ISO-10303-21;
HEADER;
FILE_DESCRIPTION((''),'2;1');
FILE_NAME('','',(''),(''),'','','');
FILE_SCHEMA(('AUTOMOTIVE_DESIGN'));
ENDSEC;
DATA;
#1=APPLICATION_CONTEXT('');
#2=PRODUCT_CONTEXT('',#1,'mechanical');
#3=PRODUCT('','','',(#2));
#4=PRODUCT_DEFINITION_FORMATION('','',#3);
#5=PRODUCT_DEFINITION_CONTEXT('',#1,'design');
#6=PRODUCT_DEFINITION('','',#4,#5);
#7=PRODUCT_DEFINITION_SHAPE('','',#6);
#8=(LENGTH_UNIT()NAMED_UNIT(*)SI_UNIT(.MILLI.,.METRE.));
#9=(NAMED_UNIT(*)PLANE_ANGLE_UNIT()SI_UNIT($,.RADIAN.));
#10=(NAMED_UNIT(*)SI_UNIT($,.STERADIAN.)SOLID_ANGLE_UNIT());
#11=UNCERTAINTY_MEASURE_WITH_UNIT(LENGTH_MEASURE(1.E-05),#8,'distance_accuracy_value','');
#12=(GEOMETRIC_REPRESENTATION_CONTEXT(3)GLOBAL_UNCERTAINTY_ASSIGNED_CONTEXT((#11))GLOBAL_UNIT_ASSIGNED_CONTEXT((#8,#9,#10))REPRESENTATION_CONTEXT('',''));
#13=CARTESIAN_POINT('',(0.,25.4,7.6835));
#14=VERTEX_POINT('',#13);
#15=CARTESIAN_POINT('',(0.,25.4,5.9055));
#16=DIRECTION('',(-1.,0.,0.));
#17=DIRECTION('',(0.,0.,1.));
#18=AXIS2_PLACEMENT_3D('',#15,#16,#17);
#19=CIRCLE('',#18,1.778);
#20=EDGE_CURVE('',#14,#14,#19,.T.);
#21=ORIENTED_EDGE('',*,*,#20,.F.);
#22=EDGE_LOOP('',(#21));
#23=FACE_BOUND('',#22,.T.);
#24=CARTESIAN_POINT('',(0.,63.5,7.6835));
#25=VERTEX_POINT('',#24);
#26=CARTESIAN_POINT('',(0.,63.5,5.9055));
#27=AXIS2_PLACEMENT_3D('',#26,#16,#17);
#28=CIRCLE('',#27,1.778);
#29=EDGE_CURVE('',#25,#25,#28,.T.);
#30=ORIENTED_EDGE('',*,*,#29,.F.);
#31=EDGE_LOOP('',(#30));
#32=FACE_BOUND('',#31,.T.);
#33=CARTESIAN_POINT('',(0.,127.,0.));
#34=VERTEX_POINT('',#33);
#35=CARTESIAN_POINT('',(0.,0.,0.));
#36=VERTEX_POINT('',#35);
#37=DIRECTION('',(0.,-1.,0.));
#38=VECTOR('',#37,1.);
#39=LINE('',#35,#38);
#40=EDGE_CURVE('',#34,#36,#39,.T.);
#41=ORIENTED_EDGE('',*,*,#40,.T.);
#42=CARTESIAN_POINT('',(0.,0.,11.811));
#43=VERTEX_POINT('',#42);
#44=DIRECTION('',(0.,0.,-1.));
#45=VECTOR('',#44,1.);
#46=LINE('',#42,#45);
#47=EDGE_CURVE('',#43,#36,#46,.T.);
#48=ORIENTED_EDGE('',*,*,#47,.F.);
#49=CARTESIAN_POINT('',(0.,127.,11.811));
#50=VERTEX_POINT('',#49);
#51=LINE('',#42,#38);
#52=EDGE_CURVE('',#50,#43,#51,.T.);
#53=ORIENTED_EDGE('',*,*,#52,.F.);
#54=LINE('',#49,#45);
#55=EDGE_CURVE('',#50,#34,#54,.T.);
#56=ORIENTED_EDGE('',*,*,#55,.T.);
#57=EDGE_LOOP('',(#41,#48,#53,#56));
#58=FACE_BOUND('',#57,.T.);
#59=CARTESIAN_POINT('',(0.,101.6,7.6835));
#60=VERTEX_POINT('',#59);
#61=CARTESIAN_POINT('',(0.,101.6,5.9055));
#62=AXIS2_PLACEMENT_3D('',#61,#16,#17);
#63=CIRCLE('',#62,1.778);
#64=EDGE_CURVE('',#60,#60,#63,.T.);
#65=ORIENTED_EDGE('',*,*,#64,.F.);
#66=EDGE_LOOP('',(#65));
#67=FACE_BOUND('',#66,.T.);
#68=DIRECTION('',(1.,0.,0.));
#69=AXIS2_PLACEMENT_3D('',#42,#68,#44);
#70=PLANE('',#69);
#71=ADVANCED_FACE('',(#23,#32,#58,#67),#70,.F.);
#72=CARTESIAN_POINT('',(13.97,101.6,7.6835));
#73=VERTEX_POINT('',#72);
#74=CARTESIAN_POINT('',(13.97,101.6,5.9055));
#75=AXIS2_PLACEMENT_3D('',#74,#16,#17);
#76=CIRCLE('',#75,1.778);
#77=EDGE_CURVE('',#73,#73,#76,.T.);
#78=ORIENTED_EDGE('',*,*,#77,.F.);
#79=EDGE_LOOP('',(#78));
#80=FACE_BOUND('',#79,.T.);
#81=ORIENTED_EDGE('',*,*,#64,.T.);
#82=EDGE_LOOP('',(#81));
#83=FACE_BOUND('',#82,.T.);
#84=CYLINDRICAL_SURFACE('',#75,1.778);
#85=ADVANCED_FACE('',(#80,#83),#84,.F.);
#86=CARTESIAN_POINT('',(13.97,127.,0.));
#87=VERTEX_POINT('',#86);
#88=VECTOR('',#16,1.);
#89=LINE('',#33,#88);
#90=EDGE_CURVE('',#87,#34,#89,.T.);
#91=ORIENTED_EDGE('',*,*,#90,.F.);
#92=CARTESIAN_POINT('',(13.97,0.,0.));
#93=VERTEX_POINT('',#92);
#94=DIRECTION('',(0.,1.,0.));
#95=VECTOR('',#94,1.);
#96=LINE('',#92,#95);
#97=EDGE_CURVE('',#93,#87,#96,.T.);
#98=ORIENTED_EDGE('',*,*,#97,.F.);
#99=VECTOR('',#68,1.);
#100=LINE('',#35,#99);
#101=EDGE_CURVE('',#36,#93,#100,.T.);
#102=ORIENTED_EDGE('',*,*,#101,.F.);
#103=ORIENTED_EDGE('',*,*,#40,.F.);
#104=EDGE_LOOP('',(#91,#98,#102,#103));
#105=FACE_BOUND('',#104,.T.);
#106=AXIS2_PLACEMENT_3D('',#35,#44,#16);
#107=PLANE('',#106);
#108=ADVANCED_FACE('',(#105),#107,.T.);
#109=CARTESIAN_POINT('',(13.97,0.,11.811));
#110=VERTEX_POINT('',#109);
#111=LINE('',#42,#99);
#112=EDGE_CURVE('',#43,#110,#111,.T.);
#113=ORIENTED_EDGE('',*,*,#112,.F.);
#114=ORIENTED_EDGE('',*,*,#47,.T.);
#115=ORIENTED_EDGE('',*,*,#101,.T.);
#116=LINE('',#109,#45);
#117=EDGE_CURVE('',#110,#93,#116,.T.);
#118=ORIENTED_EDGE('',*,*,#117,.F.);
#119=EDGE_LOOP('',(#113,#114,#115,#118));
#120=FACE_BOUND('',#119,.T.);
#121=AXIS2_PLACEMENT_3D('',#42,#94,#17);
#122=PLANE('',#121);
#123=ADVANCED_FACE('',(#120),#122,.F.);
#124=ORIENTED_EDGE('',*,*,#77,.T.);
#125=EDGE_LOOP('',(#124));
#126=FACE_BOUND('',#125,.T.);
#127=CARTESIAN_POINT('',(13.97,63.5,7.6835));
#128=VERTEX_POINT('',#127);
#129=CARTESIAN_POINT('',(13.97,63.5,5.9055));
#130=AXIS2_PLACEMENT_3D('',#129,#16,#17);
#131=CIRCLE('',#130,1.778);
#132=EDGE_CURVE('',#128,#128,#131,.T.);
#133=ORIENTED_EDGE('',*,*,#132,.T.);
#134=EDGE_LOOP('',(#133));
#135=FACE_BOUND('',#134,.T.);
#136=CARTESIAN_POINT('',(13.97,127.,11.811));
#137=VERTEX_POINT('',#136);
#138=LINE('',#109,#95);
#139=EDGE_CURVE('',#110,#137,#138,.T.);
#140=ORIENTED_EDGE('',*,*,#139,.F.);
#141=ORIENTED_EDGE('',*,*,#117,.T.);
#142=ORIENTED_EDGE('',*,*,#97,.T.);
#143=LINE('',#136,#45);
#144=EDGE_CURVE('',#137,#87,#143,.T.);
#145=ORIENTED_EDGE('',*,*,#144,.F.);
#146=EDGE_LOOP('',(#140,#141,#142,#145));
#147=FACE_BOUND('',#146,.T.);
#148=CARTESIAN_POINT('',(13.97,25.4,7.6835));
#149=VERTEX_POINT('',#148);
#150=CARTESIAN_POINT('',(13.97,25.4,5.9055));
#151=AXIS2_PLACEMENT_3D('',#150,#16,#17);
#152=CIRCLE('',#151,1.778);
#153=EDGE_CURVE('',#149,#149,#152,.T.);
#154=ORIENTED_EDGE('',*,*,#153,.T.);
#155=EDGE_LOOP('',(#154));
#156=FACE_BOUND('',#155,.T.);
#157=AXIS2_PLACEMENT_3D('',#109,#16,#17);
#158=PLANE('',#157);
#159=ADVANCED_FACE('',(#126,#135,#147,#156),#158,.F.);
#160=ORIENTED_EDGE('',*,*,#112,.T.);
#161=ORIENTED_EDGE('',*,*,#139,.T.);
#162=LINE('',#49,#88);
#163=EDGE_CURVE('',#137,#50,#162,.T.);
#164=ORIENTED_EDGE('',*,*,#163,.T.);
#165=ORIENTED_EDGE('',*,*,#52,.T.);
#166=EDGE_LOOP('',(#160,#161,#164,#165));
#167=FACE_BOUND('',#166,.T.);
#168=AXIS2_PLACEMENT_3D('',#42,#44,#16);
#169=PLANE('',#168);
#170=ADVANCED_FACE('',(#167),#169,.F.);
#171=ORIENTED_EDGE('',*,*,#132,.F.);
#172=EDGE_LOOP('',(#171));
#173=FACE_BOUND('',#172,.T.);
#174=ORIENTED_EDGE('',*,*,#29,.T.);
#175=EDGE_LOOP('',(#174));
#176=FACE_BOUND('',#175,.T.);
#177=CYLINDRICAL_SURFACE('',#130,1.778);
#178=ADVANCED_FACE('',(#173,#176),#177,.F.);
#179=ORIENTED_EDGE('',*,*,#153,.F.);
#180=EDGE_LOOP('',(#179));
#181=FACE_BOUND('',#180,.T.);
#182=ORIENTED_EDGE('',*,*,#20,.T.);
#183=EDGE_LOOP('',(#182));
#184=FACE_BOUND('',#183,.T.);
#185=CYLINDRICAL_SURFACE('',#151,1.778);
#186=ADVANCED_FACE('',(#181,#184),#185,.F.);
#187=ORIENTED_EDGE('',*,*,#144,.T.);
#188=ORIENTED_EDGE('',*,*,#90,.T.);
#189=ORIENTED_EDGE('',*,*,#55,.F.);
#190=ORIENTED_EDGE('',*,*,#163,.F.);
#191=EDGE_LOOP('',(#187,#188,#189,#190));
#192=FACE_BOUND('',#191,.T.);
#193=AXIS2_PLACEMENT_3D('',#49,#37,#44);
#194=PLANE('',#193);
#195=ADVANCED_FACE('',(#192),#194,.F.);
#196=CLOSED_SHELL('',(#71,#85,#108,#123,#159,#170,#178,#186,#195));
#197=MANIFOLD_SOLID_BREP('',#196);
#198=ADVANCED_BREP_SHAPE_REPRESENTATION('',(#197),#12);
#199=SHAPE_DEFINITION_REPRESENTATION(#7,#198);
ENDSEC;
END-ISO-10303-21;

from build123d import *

# Parameters (mm, degrees)
SKETCH1_W           = 13.97
SKETCH1_H           = 127
BOSS_EXTRUDE1_DEPTH = 11.811
SKETCH2_R           = 1.778
CUT_EXTRUDE1_DEPTH  = 14.97


with BuildPart() as part:
    # Sketch1 → Boss-Extrude1 (new body)
    with BuildSketch(Plane.XY):
        with Locations((6.985, 63.5)):
            Rectangle(SKETCH1_W, SKETCH1_H)
    extrude(amount=BOSS_EXTRUDE1_DEPTH)

    # Sketch2 → Cut-Extrude1 (cut, through all)
    with BuildSketch(Plane.ZY):
        with Locations((5.9055, 101.6)):
            Circle(SKETCH2_R)
        with Locations((5.9055, 63.5)):
            Circle(SKETCH2_R)
        with Locations((5.9055, 25.4)):
            Circle(SKETCH2_R)
    extrude(amount=-CUT_EXTRUDE1_DEPTH, mode=Mode.SUBTRACT)


solid = part.part
